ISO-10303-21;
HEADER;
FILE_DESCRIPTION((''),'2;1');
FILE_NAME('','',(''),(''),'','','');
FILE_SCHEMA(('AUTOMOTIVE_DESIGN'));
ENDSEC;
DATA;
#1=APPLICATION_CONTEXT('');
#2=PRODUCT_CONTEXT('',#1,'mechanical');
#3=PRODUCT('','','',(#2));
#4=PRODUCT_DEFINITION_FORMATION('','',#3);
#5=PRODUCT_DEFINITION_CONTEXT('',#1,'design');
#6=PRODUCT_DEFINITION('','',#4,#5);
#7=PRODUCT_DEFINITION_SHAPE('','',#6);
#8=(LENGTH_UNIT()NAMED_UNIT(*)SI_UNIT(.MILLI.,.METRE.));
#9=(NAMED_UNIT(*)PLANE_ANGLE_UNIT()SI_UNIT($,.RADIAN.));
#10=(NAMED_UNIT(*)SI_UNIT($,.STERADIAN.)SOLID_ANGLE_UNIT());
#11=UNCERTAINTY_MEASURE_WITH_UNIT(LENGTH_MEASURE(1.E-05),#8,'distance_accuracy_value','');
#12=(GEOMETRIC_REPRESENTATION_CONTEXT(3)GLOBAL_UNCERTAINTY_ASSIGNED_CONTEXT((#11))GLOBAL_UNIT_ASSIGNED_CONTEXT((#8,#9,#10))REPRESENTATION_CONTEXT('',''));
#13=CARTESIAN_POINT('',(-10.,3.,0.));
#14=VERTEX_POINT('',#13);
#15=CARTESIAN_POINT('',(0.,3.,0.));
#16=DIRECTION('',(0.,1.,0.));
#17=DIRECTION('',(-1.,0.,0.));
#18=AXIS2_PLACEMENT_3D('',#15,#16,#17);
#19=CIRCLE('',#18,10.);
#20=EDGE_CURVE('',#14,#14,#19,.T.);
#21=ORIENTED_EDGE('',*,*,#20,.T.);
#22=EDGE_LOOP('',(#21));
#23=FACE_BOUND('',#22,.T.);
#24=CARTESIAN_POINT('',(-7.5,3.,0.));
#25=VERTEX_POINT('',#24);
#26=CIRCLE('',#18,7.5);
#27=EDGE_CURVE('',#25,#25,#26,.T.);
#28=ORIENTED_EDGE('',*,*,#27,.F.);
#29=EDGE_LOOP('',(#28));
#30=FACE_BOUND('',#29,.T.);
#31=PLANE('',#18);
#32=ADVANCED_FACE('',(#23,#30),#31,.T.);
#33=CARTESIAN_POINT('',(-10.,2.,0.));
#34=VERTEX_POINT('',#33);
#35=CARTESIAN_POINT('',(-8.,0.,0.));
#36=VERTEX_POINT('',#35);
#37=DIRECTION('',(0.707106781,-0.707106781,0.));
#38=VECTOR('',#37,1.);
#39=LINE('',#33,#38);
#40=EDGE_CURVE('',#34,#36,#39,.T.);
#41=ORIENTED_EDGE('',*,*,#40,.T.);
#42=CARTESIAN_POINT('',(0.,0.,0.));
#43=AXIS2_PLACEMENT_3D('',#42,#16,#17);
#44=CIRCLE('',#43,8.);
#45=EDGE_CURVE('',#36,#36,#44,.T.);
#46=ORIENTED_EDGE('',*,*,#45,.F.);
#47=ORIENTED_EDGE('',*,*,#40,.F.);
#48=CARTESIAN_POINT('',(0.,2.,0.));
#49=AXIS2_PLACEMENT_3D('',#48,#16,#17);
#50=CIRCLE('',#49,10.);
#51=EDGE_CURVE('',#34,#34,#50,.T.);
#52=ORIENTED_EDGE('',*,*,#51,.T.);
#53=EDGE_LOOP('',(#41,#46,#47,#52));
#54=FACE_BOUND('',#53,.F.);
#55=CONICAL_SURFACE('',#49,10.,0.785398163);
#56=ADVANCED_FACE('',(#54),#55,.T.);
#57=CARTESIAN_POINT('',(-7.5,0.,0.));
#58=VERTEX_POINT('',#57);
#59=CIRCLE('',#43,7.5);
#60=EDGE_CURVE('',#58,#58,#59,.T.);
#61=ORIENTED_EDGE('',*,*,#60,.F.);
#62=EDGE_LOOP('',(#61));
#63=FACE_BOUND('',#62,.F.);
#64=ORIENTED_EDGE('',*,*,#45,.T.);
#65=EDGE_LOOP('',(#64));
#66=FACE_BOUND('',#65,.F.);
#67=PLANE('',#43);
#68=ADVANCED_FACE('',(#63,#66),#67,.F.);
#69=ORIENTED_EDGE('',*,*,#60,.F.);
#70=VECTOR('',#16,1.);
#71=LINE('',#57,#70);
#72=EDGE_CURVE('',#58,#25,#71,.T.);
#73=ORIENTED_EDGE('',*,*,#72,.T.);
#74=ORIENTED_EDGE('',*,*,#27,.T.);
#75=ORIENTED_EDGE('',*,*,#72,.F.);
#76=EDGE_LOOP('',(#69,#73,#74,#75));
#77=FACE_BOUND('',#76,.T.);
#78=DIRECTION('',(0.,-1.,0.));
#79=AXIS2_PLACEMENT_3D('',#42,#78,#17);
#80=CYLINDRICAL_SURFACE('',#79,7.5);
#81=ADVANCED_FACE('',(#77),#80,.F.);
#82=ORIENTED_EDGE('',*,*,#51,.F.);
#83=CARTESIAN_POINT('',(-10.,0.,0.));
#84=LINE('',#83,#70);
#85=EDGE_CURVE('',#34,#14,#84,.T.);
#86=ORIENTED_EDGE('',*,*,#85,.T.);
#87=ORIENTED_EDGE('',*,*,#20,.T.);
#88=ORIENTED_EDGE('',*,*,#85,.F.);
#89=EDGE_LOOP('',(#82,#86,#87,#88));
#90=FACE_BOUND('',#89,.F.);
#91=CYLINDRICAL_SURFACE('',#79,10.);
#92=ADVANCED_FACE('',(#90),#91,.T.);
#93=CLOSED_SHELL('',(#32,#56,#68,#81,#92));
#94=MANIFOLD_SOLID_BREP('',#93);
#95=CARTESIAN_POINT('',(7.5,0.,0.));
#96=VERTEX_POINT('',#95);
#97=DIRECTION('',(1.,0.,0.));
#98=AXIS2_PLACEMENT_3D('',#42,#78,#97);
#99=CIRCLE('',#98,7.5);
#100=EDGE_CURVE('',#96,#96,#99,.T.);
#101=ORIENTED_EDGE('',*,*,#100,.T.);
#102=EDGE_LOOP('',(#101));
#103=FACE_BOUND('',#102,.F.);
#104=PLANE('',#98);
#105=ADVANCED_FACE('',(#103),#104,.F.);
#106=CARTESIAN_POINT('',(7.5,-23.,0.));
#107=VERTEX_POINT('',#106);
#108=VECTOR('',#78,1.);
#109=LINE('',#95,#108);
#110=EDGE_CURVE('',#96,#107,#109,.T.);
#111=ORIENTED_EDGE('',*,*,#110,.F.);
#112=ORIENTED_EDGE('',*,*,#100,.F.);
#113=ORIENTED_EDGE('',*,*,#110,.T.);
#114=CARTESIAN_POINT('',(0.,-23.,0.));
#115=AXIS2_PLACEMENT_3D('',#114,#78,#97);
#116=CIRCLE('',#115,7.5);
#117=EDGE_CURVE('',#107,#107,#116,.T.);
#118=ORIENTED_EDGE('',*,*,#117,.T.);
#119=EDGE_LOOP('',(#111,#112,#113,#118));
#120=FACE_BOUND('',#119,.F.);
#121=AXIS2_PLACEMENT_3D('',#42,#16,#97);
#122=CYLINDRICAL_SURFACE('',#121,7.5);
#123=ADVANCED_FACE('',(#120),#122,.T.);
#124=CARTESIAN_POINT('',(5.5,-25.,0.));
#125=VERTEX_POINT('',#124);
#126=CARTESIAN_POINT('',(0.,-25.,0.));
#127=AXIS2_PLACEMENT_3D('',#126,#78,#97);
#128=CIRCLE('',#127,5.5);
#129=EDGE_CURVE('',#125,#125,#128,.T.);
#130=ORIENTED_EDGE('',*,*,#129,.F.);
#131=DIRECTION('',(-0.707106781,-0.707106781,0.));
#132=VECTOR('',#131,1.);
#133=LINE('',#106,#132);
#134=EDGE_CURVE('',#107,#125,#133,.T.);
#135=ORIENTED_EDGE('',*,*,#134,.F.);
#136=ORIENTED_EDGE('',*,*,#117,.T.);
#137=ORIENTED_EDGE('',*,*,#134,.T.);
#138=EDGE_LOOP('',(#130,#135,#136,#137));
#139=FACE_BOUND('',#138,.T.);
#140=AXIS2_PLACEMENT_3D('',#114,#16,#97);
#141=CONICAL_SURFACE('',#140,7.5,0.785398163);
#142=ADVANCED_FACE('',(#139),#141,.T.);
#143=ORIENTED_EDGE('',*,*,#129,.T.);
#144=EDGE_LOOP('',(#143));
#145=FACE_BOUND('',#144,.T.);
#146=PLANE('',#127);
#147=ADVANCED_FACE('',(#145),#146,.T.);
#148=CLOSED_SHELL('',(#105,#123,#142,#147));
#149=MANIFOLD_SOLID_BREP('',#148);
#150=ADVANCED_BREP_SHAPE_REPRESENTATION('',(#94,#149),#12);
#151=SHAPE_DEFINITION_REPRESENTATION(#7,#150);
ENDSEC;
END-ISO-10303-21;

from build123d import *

# Parameters (mm, degrees)
F0_R     = 7.5
F1_DEPTH = 25
F2_SIZE  = 2
F3_R     = 10
F3_R_2   = 7.5
F4_DEPTH = 3
F5_SIZE  = 2


with BuildPart() as f1:
    # F0 (on Front) → F1 (new body)
    with BuildSketch(Plane.XZ):
        Circle(F0_R)
    extrude(amount=F1_DEPTH)

    # F2
    f2_edges = [f1.edges().sort_by_distance(p)[0] for p in [
        (-7.5, -25, 0),
    ]]
    chamfer(f2_edges, length=F2_SIZE)


with BuildPart() as f4:
    # F3 (on face) → F4 (new body)
    with BuildSketch(Plane(origin=(0, 0, 0), x_dir=(-1, 0, 0), z_dir=(0, 1, 0))):
        Circle(F3_R)
        Circle(F3_R_2, mode=Mode.SUBTRACT)
    extrude(amount=F4_DEPTH)

    # F5
    f5_edges = [f4.edges().sort_by_distance(p)[0] for p in [
        (10, 0, 0),
    ]]
    chamfer(f5_edges, length=F5_SIZE)


solid = Compound([f1.part, f4.part])
